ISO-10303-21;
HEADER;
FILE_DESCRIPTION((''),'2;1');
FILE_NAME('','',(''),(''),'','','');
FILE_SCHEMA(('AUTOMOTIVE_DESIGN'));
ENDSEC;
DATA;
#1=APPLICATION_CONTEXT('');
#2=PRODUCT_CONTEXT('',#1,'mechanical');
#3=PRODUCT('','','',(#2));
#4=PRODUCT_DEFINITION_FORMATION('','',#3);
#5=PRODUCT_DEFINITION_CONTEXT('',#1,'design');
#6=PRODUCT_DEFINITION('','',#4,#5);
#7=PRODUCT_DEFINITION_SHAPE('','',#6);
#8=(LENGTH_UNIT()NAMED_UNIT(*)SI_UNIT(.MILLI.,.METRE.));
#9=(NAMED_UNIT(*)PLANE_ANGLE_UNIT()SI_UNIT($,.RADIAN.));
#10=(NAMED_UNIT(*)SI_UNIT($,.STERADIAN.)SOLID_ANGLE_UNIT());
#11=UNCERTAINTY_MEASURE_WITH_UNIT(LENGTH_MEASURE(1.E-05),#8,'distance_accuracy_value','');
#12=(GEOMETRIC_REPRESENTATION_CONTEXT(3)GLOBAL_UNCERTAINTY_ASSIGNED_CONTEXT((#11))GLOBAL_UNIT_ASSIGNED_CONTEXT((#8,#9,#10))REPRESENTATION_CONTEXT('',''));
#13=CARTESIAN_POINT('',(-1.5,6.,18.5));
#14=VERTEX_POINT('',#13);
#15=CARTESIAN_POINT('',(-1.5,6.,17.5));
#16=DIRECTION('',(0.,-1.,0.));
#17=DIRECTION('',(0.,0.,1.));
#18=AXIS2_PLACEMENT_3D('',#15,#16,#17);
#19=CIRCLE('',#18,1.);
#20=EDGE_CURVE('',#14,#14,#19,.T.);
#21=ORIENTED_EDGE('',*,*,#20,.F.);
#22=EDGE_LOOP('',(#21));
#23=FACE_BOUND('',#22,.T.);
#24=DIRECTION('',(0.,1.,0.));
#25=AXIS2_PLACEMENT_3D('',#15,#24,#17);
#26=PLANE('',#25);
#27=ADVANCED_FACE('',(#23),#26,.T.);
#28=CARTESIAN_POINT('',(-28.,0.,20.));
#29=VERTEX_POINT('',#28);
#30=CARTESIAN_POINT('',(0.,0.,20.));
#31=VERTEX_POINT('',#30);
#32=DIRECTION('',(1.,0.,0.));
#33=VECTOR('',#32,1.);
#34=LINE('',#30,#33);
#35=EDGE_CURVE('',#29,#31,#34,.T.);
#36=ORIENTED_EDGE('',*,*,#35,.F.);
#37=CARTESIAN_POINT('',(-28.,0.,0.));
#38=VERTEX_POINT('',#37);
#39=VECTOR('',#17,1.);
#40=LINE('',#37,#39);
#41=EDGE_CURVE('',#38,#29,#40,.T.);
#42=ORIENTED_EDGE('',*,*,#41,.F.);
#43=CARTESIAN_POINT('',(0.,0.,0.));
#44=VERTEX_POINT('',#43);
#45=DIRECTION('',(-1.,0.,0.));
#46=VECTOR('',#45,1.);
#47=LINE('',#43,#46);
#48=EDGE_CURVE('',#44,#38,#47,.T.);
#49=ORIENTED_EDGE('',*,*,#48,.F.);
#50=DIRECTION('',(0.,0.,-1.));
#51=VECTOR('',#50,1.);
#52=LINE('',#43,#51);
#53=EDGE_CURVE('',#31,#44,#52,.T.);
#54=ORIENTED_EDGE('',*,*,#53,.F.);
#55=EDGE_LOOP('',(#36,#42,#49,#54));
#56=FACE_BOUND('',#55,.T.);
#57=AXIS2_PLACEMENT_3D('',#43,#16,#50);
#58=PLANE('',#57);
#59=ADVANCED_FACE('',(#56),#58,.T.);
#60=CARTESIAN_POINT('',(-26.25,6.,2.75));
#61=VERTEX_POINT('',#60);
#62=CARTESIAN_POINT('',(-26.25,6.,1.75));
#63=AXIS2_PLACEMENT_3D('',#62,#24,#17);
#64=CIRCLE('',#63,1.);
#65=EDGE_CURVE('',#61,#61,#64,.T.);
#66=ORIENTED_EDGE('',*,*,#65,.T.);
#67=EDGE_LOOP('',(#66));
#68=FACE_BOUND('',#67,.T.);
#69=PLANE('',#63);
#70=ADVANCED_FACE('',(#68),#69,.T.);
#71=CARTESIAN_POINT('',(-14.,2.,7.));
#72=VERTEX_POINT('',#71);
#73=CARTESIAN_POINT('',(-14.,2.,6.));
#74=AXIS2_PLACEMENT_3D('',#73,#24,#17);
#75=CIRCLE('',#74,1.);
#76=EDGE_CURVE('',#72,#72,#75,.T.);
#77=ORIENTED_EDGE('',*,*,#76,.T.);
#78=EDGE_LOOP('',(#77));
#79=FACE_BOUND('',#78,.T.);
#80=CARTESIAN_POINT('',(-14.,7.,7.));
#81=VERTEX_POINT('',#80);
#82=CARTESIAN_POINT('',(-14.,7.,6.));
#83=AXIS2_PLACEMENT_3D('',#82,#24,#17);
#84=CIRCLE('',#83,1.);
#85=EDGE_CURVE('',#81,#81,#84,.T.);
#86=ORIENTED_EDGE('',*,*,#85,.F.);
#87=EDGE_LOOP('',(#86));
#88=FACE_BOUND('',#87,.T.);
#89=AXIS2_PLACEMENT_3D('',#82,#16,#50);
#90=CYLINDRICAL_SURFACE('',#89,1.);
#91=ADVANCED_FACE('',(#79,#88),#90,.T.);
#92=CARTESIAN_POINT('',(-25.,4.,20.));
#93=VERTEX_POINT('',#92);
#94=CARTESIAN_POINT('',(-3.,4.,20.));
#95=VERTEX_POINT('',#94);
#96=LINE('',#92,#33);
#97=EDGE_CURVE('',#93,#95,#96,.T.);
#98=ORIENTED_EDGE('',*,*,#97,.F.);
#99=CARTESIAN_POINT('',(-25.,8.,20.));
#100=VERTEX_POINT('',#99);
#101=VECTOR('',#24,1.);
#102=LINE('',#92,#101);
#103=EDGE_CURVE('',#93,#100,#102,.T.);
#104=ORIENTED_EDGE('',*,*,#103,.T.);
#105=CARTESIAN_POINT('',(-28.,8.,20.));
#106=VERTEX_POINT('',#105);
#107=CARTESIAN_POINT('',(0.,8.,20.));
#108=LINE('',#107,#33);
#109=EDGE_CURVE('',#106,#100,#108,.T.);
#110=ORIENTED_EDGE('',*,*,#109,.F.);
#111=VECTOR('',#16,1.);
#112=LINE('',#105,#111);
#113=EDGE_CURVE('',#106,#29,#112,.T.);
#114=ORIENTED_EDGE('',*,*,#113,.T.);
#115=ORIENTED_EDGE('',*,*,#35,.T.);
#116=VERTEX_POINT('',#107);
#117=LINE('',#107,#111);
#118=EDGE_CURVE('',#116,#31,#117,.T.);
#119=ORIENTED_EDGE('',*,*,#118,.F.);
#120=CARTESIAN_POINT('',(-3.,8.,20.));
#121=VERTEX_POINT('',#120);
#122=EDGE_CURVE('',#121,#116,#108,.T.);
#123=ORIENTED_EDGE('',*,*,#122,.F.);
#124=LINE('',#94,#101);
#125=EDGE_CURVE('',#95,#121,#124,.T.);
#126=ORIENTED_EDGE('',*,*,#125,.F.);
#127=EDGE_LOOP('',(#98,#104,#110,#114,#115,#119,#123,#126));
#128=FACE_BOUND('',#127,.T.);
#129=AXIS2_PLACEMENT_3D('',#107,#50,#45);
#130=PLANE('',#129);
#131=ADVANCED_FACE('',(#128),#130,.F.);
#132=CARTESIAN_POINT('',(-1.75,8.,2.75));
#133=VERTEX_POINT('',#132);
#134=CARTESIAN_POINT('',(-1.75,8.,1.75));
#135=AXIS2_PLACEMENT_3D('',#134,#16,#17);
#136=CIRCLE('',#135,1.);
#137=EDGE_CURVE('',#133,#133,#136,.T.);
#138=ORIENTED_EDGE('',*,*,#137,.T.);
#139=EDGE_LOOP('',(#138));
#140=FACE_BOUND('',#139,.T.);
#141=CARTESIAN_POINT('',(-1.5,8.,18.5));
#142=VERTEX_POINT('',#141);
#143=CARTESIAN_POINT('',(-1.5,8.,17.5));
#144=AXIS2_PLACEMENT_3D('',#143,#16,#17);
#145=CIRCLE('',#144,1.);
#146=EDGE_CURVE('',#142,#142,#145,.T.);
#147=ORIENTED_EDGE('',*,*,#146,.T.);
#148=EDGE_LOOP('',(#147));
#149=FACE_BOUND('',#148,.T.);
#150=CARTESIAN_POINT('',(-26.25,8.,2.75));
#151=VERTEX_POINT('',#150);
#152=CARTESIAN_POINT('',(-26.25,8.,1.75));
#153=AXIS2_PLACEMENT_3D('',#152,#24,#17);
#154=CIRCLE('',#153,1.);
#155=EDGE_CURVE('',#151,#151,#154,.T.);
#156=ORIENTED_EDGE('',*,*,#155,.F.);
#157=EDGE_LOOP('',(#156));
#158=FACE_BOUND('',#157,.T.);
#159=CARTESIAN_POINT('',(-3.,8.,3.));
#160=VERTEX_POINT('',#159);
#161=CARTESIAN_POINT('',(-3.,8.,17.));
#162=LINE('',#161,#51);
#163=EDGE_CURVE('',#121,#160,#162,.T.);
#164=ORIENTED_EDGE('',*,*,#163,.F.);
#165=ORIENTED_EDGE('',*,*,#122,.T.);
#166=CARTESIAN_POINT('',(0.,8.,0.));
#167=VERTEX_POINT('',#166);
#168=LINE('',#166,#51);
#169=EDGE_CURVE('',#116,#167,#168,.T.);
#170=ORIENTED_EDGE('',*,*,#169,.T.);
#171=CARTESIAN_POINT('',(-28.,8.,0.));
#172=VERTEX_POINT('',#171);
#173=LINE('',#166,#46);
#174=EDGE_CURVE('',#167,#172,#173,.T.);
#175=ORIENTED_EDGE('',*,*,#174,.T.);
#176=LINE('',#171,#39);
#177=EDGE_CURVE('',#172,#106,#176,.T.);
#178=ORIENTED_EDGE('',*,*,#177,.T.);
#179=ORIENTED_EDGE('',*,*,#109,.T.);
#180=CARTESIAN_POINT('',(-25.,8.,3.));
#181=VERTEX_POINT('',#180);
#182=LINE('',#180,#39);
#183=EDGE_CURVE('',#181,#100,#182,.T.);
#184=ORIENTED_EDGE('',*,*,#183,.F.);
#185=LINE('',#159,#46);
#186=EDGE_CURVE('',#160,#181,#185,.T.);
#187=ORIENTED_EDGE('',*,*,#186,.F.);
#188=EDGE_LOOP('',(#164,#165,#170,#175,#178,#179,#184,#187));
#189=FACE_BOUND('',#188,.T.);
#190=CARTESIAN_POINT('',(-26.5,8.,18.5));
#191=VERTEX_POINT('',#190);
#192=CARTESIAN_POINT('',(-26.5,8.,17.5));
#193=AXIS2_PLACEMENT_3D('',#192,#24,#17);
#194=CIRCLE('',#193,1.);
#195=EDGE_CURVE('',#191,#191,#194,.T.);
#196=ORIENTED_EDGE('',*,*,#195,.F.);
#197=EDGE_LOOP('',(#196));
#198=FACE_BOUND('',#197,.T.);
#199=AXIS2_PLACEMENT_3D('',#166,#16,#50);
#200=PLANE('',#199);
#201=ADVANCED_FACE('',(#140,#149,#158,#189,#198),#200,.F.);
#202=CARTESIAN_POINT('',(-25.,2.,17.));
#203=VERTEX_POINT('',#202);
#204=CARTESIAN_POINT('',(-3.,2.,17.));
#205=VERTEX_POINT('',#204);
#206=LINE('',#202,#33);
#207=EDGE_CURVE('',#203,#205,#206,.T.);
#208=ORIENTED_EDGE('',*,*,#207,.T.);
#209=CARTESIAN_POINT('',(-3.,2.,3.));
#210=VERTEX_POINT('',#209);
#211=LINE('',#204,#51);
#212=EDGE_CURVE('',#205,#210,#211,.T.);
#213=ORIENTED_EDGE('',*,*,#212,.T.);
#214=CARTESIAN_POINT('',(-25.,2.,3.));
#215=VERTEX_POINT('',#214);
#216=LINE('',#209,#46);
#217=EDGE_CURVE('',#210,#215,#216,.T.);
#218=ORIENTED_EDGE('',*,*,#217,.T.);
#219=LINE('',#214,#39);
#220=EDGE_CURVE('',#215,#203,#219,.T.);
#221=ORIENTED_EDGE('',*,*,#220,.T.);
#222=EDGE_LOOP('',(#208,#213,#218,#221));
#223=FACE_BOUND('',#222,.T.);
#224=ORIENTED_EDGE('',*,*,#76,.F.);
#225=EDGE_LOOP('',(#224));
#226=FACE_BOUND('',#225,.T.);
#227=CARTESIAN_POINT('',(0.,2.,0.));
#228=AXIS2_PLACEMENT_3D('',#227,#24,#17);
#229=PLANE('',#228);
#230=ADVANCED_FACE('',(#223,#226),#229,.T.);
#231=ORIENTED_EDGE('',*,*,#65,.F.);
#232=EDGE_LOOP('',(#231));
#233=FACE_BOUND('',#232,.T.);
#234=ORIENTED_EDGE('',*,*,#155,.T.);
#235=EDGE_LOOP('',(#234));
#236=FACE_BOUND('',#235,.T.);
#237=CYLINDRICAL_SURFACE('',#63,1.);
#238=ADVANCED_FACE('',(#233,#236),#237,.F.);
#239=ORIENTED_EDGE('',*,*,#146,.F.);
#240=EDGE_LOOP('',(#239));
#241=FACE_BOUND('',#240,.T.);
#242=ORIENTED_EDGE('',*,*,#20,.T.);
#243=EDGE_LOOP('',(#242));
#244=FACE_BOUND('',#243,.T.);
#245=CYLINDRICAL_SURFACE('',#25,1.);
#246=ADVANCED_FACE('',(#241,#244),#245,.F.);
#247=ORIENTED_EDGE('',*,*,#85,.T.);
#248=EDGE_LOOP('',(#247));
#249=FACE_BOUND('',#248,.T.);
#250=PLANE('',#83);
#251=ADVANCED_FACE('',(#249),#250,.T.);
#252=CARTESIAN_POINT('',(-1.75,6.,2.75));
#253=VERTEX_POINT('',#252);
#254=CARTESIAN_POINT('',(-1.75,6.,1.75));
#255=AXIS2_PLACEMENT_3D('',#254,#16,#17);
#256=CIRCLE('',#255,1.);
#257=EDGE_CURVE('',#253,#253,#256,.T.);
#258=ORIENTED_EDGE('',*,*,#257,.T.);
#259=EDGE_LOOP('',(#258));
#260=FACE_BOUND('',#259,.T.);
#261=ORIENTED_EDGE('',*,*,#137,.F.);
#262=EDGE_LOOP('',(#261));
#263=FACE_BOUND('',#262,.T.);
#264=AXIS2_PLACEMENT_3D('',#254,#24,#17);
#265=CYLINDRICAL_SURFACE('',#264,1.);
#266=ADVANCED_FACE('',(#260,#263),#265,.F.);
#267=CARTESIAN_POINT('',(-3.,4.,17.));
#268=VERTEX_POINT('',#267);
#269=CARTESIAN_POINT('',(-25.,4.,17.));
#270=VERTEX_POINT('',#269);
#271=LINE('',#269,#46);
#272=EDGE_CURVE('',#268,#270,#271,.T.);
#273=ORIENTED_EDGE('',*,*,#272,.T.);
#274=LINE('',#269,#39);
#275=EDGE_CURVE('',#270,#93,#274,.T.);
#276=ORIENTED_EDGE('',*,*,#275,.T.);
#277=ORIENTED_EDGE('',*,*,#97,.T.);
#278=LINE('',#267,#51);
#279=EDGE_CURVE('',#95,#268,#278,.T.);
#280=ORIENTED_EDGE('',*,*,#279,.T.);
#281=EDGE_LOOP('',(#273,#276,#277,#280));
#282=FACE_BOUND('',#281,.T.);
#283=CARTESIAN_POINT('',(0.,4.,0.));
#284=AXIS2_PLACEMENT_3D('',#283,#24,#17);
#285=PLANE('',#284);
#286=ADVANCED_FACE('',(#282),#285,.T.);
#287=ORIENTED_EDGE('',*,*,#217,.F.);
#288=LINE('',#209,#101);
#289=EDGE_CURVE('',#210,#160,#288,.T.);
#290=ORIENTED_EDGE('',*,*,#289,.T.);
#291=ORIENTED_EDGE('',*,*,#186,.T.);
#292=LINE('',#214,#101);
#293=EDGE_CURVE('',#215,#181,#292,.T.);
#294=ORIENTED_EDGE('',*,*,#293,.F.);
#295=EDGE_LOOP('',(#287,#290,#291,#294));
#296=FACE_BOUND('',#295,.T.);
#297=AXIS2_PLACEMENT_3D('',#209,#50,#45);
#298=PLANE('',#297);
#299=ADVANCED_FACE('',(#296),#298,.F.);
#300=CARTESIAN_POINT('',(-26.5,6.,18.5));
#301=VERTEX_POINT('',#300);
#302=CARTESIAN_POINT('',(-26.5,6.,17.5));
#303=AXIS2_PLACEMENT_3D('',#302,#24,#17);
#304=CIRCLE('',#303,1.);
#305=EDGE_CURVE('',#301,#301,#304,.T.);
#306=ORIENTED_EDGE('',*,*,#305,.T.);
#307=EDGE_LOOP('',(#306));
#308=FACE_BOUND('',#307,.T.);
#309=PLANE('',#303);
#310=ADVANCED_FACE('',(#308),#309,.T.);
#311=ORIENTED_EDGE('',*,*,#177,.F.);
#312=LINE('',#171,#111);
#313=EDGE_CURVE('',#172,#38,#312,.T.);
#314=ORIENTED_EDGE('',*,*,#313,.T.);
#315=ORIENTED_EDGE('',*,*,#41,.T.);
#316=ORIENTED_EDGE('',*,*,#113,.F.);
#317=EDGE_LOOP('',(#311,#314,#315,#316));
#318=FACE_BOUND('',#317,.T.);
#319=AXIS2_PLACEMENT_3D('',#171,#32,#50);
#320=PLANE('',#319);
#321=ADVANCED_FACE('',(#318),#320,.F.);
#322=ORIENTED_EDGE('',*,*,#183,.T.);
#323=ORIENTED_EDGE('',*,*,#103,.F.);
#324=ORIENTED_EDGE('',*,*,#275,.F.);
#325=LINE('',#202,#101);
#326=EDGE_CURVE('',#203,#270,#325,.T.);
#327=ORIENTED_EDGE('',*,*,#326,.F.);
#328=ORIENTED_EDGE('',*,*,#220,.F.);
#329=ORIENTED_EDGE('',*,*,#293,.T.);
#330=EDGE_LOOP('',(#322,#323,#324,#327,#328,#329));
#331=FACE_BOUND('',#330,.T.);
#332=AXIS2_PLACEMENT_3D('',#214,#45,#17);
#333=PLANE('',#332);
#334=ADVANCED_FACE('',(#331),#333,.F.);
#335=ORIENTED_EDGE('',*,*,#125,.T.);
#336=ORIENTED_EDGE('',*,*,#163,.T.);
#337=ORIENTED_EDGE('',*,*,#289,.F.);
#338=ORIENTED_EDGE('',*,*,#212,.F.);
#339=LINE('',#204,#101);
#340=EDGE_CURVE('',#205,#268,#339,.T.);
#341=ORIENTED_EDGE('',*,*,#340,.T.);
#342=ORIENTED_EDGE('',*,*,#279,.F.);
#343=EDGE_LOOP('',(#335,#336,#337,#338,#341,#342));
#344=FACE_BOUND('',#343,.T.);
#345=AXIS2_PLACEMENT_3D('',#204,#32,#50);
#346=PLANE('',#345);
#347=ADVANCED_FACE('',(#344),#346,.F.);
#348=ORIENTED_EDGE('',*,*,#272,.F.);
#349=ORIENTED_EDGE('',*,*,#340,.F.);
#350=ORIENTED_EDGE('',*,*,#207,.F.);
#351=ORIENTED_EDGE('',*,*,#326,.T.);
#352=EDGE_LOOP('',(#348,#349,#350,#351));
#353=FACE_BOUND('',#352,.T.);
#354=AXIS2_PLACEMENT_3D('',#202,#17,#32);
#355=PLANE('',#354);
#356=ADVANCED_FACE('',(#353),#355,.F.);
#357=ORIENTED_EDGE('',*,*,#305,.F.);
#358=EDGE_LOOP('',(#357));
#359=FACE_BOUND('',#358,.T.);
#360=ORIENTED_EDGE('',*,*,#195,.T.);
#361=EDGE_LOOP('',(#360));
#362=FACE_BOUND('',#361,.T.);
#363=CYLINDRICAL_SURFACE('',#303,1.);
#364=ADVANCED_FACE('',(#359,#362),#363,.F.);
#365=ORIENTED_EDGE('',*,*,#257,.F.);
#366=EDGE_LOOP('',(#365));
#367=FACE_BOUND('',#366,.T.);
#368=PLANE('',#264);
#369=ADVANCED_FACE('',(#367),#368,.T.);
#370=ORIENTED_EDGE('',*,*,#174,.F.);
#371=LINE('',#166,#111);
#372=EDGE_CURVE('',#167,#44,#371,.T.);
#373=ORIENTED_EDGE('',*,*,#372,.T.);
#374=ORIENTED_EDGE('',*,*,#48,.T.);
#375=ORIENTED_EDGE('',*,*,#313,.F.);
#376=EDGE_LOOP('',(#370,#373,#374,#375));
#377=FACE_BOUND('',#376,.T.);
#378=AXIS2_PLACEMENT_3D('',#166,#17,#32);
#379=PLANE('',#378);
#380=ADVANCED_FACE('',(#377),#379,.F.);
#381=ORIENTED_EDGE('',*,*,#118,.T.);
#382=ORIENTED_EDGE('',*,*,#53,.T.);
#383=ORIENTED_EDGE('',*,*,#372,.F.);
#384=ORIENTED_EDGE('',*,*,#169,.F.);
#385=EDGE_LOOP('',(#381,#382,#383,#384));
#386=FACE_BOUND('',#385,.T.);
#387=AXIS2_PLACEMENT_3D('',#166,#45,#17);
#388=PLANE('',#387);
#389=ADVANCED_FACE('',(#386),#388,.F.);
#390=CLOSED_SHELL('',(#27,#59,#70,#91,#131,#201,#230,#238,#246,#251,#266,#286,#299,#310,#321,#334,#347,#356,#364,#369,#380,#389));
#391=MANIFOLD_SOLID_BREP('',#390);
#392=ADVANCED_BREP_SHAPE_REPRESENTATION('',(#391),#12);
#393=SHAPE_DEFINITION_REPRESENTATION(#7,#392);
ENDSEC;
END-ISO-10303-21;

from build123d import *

# Parameters (mm, degrees)
ESQUISSE3_W             = 28
ESQUISSE3_H             = 20
BOSS_EXTRU_1_DEPTH      = 8
ESQUISSE4_W             = 22
ESQUISSE4_H             = 14
ENL_V_MAT_EXTRU_1_DEPTH = 6
ESQUISSE5_W             = 22
ESQUISSE5_H             = 3
ENL_V_MAT_EXTRU_2_DEPTH = 4
ESQUISSE7_R             = 1
BOSS_EXTRU_2_DEPTH      = 5
ESQUISSE9_R             = 1
ENL_V_MAT_EXTRU_3_DEPTH = 2
ESQUISSE11_R            = 1
ENL_V_MAT_EXTRU_4_DEPTH = 2


with BuildPart() as part:
    # Esquisse3 → Boss.-Extru.1 (new body)
    with BuildSketch(Plane(origin=(0, 0, 0), x_dir=(1, 0, 0), z_dir=(0, 1, 0))):
        with Locations((-14, -10)):
            Rectangle(ESQUISSE3_W, ESQUISSE3_H)
    extrude(amount=BOSS_EXTRU_1_DEPTH)

    # Esquisse4 → Enlèv. mat.-Extru.1 (cut)
    with BuildSketch(Plane(origin=(0, 8, 0), x_dir=(1, 0, 0), z_dir=(0, 1, 0))):
        with Locations((-14, -10)):
            Rectangle(ESQUISSE4_W, ESQUISSE4_H)
    extrude(amount=-ENL_V_MAT_EXTRU_1_DEPTH, mode=Mode.SUBTRACT)

    # Esquisse5 → Enlèv. mat.-Extru.2 (cut)
    with BuildSketch(Plane(origin=(0, 8, 0), x_dir=(1, 0, 0), z_dir=(0, 1, 0))):
        with Locations((-14, -18.5)):
            Rectangle(ESQUISSE5_W, ESQUISSE5_H)
    extrude(amount=-ENL_V_MAT_EXTRU_2_DEPTH, mode=Mode.SUBTRACT)

    # Esquisse7 → Boss.-Extru.2 (add)
    with BuildSketch(Plane(origin=(0, 2, 0), x_dir=(1, 0, 0), z_dir=(0, 1, 0))):
        with Locations(Location((-14, -6, 0), (0, 0, 270))):
            Circle(ESQUISSE7_R)
    extrude(amount=BOSS_EXTRU_2_DEPTH)

    # Esquisse9 → Enlèv. mat.-Extru.3 (cut)
    with BuildSketch(Plane(origin=(0, 8, 0), x_dir=(1, 0, 0), z_dir=(0, 1, 0))):
        with Locations(Location((-26.25, -1.75, 0), (0, 0, 270))):
            Circle(ESQUISSE9_R)
    enl_v_mat_extru_3 = extrude(amount=-ENL_V_MAT_EXTRU_3_DEPTH, mode=Mode.SUBTRACT)

    # Symétrie1: Enlèv. mat.-Extru.3 across plane
    add(enl_v_mat_extru_3.mirror(Plane.ZY.offset(14)), mode=Mode.SUBTRACT)

    # Esquisse11 → Enlèv. mat.-Extru.4 (cut)
    with BuildSketch(Plane(origin=(0, 8, 0), x_dir=(1, 0, 0), z_dir=(0, 1, 0))):
        with Locations(Location((-26.5, -17.5, 0), (0, 0, 270))):
            Circle(ESQUISSE11_R)
    enl_v_mat_extru_4 = extrude(amount=-ENL_V_MAT_EXTRU_4_DEPTH, mode=Mode.SUBTRACT)

    # Symétrie2: Enlèv. mat.-Extru.4 across plane
    add(enl_v_mat_extru_4.mirror(Plane.ZY.offset(14)), mode=Mode.SUBTRACT)


solid = part.part
